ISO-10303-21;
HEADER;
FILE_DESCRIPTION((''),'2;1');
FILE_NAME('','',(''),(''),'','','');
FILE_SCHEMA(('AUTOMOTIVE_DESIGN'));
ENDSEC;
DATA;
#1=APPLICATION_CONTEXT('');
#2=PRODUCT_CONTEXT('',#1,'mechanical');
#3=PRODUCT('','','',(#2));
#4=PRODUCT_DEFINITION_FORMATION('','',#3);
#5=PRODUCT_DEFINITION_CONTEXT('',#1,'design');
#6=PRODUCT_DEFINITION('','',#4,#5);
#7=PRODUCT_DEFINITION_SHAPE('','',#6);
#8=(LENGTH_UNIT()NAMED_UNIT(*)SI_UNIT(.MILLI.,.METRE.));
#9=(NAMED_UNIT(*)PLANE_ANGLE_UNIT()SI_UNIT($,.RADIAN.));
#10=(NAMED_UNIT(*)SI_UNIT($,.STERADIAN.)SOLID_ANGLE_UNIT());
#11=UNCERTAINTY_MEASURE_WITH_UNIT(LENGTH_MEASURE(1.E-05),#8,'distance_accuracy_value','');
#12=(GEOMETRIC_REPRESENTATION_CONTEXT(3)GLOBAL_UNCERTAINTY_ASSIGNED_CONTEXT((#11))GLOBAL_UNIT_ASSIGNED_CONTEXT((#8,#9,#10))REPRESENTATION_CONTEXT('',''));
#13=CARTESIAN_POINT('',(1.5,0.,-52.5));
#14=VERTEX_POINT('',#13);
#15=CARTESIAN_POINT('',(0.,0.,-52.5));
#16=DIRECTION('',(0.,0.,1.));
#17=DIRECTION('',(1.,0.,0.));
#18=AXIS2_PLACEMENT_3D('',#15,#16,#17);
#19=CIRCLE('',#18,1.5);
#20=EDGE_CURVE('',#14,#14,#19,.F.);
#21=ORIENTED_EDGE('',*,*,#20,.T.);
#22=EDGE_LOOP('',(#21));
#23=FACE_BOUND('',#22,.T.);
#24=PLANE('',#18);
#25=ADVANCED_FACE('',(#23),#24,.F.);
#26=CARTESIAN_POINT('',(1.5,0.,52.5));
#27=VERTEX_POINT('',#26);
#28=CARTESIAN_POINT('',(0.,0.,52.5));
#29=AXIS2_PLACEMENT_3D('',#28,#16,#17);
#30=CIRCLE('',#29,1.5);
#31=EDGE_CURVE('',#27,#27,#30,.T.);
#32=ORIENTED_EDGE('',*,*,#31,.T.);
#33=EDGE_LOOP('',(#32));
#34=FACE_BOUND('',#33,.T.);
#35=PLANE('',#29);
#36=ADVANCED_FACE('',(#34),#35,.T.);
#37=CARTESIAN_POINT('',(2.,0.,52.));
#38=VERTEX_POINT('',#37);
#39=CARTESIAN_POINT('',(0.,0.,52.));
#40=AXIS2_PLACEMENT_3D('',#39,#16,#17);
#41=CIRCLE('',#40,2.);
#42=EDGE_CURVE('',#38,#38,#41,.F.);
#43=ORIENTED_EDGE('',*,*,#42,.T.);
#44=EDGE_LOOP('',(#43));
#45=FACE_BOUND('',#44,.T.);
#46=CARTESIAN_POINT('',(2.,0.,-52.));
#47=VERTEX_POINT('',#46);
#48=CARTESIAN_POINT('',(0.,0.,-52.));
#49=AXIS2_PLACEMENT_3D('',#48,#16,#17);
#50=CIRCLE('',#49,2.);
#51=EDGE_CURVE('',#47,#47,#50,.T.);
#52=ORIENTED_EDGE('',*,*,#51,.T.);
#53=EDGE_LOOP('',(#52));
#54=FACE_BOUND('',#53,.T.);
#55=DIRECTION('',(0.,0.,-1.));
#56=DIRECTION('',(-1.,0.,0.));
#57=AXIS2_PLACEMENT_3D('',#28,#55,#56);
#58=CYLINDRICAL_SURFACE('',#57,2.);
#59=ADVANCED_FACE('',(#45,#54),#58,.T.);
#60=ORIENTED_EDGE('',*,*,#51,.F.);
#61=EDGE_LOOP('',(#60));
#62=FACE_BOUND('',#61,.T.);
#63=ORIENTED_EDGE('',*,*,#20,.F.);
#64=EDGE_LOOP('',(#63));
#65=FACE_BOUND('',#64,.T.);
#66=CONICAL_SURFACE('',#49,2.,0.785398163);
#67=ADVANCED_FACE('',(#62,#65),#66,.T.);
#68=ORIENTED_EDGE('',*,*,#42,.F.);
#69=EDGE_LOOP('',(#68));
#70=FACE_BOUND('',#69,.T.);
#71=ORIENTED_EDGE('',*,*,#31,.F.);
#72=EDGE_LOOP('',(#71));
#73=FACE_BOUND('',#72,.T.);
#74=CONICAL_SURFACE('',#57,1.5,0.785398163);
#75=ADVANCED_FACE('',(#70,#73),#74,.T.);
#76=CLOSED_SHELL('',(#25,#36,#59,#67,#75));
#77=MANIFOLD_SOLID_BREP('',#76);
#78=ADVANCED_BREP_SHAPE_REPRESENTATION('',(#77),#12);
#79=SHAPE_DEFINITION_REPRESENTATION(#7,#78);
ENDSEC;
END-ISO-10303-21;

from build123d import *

# Parameters (mm, degrees)
SKETCH1_R           = 2
BOSS_EXTRUDE1_DEPTH = 52.5
CHAMFER1_SIZE       = 0.5


with BuildPart() as part:
    # Sketch1 → Boss-Extrude1 (new body, symmetric)
    with BuildSketch(Plane.XY):
        Circle(SKETCH1_R)
    extrude(amount=BOSS_EXTRUDE1_DEPTH, both=True)

    # Chamfer1
    chamfer1_edges = [part.edges().sort_by_distance(p)[0] for p in [
        (-2, 0, -52.5),
        (-2, 0, 52.5),
    ]]
    chamfer(chamfer1_edges, length=CHAMFER1_SIZE)


solid = part.part
